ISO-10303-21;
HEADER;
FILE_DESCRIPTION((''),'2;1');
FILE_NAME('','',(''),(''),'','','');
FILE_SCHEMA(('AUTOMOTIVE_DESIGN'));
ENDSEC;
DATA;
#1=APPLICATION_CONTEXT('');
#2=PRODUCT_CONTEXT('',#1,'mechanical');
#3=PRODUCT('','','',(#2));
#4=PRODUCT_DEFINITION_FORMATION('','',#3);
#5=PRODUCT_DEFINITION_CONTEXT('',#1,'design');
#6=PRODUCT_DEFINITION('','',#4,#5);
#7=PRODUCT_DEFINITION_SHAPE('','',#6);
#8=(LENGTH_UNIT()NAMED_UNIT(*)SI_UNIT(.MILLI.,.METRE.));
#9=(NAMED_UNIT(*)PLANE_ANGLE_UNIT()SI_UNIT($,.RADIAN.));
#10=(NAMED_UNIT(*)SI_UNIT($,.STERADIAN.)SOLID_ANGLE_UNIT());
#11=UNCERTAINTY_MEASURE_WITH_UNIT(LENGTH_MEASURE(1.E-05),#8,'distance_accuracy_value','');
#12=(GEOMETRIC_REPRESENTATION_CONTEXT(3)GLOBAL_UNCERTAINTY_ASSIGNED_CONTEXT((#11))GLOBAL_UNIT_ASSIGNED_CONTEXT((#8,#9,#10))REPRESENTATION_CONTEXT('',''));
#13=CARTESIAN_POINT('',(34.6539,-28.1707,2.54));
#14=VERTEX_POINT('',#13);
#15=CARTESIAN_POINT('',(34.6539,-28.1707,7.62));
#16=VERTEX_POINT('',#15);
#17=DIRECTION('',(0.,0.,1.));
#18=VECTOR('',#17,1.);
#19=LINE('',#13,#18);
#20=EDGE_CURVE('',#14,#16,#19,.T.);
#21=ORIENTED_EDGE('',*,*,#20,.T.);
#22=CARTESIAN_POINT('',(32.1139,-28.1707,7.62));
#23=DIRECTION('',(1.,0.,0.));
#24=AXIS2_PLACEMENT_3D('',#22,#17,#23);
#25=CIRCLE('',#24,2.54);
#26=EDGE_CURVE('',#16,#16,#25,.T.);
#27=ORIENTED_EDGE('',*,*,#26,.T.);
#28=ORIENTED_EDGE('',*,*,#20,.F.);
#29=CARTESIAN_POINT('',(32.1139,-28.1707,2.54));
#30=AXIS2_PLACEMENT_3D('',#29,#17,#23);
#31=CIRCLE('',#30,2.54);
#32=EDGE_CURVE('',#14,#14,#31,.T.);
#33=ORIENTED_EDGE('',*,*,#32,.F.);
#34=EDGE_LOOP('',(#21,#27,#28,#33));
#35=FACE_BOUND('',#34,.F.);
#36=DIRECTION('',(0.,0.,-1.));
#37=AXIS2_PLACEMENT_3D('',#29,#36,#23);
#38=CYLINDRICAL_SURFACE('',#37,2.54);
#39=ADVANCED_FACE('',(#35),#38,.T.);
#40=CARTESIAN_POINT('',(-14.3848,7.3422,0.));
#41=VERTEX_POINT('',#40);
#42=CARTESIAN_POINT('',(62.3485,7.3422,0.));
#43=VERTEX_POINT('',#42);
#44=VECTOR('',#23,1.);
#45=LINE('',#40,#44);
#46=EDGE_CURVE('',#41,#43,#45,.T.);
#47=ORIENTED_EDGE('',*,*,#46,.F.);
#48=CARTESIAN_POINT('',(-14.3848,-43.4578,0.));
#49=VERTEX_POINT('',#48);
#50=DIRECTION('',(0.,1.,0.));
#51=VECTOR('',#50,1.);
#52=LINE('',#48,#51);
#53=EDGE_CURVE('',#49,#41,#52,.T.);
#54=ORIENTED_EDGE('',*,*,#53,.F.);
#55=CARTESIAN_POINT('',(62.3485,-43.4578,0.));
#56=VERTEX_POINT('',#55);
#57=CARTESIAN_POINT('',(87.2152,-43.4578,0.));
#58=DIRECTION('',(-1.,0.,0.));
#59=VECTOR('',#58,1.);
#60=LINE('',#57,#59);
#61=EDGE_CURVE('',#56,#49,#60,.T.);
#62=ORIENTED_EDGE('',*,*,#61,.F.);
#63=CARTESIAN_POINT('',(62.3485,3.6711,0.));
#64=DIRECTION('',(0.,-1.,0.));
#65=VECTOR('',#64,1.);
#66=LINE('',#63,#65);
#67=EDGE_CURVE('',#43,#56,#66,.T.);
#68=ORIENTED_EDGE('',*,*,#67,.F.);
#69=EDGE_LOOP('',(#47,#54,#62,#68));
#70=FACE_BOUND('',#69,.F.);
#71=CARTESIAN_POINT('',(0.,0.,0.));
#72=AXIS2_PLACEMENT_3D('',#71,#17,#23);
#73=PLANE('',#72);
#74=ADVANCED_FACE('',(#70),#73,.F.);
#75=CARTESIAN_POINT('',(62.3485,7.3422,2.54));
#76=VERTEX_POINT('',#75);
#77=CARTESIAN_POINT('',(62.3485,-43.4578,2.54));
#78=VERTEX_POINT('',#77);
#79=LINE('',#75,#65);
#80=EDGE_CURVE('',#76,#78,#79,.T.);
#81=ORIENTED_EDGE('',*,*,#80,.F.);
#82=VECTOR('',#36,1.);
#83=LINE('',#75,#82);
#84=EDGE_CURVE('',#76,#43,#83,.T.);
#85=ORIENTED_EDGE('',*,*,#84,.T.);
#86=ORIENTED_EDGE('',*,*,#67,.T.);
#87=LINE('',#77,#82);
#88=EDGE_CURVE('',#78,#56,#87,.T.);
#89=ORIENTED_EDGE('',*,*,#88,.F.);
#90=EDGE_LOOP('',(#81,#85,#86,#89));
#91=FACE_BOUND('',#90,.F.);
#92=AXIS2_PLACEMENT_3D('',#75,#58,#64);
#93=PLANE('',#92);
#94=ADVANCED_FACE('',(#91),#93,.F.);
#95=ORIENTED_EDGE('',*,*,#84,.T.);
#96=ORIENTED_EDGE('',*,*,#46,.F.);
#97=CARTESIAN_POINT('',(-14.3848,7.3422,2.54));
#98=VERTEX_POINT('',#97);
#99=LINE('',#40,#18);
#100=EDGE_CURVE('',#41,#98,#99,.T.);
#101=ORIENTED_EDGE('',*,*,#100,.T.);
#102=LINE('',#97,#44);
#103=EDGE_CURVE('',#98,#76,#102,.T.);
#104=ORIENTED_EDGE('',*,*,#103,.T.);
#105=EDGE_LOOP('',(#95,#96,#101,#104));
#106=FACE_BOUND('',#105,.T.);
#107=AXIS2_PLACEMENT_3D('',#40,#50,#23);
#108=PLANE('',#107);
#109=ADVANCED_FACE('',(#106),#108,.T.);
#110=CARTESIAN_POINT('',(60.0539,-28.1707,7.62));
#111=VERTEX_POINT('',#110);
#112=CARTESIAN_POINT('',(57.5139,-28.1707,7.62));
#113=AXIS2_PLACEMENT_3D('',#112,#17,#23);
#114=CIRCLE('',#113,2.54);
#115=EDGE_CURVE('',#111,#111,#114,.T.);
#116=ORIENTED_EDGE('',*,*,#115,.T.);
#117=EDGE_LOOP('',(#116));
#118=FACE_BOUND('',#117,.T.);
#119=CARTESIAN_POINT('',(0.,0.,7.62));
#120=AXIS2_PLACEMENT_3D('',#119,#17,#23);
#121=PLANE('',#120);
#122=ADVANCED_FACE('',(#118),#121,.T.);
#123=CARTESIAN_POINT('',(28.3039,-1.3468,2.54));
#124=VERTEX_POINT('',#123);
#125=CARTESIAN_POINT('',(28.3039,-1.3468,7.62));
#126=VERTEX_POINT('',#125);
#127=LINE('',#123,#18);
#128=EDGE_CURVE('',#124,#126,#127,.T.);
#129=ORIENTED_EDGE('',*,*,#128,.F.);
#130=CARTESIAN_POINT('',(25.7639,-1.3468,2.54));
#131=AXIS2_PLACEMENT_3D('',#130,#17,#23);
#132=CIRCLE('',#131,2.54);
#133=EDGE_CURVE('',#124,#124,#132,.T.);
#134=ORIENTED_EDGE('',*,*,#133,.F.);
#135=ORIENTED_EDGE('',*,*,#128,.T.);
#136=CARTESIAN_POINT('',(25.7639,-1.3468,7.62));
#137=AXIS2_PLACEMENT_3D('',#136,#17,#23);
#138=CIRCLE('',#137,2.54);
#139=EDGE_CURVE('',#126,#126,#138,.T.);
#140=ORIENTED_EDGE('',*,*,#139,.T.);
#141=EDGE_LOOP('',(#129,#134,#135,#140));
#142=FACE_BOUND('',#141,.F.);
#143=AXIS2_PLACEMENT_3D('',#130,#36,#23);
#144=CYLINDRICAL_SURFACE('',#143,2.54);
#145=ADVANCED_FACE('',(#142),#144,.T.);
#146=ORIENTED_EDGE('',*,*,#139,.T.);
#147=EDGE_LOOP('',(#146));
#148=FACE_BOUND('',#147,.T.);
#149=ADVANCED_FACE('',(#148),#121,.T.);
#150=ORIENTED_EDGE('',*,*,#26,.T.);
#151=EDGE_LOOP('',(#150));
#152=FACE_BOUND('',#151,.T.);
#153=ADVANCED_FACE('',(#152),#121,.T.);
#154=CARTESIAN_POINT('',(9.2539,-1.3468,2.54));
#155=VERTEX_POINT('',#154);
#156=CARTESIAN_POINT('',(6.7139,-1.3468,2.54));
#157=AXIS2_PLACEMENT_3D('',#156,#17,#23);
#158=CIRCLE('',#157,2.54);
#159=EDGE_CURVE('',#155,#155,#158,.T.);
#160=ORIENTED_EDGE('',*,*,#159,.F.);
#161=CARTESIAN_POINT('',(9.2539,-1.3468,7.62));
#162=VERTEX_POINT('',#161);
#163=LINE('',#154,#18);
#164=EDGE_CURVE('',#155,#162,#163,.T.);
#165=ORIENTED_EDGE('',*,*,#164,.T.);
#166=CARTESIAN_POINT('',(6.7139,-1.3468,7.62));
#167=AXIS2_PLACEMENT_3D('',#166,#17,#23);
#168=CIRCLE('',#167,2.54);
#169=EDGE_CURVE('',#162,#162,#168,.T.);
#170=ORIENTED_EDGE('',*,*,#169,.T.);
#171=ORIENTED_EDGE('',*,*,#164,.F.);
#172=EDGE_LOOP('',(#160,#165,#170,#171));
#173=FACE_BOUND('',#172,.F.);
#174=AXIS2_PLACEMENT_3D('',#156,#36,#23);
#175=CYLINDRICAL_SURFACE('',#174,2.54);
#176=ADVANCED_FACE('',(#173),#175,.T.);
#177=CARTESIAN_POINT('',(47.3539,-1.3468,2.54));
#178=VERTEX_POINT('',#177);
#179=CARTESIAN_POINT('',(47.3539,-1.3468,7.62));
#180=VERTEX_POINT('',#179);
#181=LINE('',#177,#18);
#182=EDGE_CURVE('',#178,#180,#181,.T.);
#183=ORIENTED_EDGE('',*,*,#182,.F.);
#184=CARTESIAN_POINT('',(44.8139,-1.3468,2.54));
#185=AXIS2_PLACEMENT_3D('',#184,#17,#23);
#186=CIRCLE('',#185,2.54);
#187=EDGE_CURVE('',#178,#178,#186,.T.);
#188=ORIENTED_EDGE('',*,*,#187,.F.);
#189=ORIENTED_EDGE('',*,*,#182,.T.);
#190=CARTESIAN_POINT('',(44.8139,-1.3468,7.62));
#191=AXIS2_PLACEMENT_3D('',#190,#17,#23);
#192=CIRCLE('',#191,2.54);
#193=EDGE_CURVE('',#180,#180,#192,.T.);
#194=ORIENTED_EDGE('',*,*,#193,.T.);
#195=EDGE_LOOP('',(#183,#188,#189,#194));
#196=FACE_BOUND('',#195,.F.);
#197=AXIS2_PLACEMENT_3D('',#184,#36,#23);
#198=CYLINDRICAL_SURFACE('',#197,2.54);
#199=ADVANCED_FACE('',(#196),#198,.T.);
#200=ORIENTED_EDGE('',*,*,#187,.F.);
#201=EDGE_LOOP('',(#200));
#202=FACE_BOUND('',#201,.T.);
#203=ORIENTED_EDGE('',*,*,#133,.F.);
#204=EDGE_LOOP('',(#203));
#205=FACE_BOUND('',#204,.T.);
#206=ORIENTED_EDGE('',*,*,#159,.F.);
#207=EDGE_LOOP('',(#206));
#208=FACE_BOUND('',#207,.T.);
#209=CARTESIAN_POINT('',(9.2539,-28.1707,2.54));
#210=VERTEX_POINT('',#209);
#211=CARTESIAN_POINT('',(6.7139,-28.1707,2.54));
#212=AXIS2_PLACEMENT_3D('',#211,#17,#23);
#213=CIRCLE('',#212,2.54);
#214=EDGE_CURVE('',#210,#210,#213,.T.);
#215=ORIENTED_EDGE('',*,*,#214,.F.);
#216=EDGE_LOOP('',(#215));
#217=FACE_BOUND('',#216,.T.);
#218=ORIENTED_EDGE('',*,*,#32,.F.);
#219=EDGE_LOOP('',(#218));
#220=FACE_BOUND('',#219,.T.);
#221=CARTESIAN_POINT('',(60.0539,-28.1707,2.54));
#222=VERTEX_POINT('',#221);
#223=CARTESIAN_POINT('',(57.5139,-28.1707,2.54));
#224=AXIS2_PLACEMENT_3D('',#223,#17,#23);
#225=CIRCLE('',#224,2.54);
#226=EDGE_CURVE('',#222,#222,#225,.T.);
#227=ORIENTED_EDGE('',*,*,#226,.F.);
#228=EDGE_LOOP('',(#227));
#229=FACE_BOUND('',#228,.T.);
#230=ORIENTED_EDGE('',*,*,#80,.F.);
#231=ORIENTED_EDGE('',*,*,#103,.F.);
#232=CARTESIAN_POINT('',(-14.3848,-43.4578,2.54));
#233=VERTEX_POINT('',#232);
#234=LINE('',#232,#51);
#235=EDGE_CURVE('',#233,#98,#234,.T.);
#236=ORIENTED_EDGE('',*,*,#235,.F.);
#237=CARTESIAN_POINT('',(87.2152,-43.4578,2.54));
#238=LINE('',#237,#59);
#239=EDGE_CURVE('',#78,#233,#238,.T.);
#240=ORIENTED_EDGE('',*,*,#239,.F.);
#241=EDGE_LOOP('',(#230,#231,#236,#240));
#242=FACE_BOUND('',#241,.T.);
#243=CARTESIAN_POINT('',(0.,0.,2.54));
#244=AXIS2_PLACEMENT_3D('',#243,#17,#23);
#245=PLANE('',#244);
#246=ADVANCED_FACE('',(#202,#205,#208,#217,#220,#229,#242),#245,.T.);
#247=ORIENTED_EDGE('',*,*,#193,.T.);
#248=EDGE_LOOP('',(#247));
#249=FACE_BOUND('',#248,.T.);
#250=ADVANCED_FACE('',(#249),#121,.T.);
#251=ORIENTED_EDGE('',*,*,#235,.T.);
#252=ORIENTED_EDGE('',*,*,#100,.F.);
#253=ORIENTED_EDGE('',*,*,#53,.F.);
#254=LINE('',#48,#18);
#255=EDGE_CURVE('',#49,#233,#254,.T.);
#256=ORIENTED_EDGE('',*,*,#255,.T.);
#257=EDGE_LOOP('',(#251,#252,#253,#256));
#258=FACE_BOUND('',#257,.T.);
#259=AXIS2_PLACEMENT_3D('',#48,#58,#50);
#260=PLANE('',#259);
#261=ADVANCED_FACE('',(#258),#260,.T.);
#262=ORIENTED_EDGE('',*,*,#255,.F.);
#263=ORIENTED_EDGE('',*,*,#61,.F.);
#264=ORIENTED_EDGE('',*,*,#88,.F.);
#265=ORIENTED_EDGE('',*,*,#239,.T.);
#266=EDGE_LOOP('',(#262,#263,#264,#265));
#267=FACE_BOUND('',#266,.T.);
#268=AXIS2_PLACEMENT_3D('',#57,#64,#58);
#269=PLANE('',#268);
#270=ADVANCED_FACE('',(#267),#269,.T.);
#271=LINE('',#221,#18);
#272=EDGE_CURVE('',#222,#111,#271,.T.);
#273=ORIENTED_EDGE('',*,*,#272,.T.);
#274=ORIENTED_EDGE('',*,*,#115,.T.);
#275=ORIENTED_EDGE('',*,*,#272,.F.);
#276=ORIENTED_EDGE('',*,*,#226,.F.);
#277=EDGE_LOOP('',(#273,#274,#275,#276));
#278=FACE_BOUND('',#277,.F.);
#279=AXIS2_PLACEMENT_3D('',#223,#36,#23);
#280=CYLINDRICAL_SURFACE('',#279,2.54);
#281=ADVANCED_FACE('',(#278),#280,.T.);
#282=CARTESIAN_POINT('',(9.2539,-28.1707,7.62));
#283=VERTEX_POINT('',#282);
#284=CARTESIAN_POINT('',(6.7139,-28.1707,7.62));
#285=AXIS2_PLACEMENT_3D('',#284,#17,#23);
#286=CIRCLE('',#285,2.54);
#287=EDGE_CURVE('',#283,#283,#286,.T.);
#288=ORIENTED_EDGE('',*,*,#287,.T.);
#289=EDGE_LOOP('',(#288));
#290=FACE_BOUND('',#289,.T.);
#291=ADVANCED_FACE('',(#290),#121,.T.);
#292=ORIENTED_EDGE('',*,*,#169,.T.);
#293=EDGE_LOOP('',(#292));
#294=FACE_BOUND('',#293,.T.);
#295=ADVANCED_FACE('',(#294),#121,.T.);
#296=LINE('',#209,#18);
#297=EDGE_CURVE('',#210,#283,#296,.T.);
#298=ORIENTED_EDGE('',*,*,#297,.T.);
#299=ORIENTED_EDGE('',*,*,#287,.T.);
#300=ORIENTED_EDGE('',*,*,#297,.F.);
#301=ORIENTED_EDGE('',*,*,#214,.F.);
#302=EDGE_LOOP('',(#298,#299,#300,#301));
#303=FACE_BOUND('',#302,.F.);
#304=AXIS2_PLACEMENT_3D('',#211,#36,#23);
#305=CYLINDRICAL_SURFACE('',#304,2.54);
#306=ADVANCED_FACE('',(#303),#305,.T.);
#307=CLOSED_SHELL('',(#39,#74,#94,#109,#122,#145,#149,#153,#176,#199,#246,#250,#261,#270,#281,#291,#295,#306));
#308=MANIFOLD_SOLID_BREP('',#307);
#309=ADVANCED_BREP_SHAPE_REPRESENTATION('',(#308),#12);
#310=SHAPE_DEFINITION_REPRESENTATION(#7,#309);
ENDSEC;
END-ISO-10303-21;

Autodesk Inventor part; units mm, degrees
ref_plane "YZ Plane" through (0, 0, 0) normal (1, 0, 0) x (0, 1, 0)
ref_plane "XZ Plane" through (0, 0, 0) normal (0, 1, 0) x (-1, 0, 0)
ref_plane "XY Plane" through (0, 0, 0) normal (0, 0, 1) x (1, 0, 0)
sketch "Sketch1" plane through (0, 0, 0) normal (0, 0, 1) x (1, 0, 0)
  line L0 (-14.3848, 7.3422) -> (87.2152, 7.3422)
  line L1 (87.2152, 7.3422) -> (87.2152, -43.4578)
  line L2 (87.2152, -43.4578) -> (-14.3848, -43.4578)
  line L3 (-14.3848, -43.4578) -> (-14.3848, 7.3422)
  point P0 (0, 0)
  dimension "d0" = 101.6
  dimension "d1" = 50.8
extrude "Extrusion1" add sketch "Sketch1" along normal blind 2.54
sketch "Sketch2" plane through (0, 0, 2.54) normal (0, 0, 1) x (1, 0, 0)
  circle A0 centre (6.7139, -1.3468) radius 2.54
  line L0 (6.7139, -1.3468) -> (25.7639, -1.3468) construction
  circle A1 centre (25.7639, -1.3468) radius 2.54
  line L1 (25.7639, -1.3468) -> (44.8139, -1.3468) construction
  circle A2 centre (44.8139, -1.3468) radius 2.54
  line L2 (-14.3848, 7.3422) -> (-14.3848, -43.4578) projected
  line L3 (-14.3848, -18.0578) -> (87.2152, -18.0578) construction
  line L4 (87.2152, -43.4578) -> (87.2152, 7.3422) projected
  circle A3 centre (6.7139, -28.1707) radius 2.54
  line L5 (6.7139, -28.1707) -> (32.1139, -28.1707) construction
  circle A4 centre (32.1139, -28.1707) radius 2.54
  line L6 (32.1139, -28.1707) -> (57.5139, -28.1707) construction
  circle A5 centre (57.5139, -28.1707) radius 2.54
  point P0 (0, 0)
  dimension "d4" = 5.08
  dimension "d5" = 19.05
  dimension "d6" = 5.08
  dimension "d7" = 19.05
  dimension "d8" = 5.08
  dimension "d9" = 5.08
  dimension "d10" = 25.4
  dimension "d11" = 5.08
  dimension "d12" = 25.4
  dimension "d13" = 5.08
extrude "Extrusion2" add sketch "Sketch2" along normal blind 5.08
sketch "Sketch3" plane through (0, 0, 2.54) normal (0, 0, 1) x (1, 0, 0)
  line L0 (87.2152, -43.4578) -> (87.2152, 7.3422) projected
  line L1 (-14.3848, -43.4578) -> (87.2152, -43.4578) projected
  line L2 (87.2152, 7.3422) -> (62.3485, 7.3422)
  line L3 (62.3485, 7.3422) -> (62.3485, -43.4578)
  line L4 (62.3485, -43.4578) -> (87.2152, -43.4578)
  line L5 (87.2152, -43.4578) -> (87.2152, 7.3422)
  point P0 (0, 0)
extrude "Extrusion3" cut sketch "Sketch3" against normal blind 5.08
properties part number "Backdrop base"
